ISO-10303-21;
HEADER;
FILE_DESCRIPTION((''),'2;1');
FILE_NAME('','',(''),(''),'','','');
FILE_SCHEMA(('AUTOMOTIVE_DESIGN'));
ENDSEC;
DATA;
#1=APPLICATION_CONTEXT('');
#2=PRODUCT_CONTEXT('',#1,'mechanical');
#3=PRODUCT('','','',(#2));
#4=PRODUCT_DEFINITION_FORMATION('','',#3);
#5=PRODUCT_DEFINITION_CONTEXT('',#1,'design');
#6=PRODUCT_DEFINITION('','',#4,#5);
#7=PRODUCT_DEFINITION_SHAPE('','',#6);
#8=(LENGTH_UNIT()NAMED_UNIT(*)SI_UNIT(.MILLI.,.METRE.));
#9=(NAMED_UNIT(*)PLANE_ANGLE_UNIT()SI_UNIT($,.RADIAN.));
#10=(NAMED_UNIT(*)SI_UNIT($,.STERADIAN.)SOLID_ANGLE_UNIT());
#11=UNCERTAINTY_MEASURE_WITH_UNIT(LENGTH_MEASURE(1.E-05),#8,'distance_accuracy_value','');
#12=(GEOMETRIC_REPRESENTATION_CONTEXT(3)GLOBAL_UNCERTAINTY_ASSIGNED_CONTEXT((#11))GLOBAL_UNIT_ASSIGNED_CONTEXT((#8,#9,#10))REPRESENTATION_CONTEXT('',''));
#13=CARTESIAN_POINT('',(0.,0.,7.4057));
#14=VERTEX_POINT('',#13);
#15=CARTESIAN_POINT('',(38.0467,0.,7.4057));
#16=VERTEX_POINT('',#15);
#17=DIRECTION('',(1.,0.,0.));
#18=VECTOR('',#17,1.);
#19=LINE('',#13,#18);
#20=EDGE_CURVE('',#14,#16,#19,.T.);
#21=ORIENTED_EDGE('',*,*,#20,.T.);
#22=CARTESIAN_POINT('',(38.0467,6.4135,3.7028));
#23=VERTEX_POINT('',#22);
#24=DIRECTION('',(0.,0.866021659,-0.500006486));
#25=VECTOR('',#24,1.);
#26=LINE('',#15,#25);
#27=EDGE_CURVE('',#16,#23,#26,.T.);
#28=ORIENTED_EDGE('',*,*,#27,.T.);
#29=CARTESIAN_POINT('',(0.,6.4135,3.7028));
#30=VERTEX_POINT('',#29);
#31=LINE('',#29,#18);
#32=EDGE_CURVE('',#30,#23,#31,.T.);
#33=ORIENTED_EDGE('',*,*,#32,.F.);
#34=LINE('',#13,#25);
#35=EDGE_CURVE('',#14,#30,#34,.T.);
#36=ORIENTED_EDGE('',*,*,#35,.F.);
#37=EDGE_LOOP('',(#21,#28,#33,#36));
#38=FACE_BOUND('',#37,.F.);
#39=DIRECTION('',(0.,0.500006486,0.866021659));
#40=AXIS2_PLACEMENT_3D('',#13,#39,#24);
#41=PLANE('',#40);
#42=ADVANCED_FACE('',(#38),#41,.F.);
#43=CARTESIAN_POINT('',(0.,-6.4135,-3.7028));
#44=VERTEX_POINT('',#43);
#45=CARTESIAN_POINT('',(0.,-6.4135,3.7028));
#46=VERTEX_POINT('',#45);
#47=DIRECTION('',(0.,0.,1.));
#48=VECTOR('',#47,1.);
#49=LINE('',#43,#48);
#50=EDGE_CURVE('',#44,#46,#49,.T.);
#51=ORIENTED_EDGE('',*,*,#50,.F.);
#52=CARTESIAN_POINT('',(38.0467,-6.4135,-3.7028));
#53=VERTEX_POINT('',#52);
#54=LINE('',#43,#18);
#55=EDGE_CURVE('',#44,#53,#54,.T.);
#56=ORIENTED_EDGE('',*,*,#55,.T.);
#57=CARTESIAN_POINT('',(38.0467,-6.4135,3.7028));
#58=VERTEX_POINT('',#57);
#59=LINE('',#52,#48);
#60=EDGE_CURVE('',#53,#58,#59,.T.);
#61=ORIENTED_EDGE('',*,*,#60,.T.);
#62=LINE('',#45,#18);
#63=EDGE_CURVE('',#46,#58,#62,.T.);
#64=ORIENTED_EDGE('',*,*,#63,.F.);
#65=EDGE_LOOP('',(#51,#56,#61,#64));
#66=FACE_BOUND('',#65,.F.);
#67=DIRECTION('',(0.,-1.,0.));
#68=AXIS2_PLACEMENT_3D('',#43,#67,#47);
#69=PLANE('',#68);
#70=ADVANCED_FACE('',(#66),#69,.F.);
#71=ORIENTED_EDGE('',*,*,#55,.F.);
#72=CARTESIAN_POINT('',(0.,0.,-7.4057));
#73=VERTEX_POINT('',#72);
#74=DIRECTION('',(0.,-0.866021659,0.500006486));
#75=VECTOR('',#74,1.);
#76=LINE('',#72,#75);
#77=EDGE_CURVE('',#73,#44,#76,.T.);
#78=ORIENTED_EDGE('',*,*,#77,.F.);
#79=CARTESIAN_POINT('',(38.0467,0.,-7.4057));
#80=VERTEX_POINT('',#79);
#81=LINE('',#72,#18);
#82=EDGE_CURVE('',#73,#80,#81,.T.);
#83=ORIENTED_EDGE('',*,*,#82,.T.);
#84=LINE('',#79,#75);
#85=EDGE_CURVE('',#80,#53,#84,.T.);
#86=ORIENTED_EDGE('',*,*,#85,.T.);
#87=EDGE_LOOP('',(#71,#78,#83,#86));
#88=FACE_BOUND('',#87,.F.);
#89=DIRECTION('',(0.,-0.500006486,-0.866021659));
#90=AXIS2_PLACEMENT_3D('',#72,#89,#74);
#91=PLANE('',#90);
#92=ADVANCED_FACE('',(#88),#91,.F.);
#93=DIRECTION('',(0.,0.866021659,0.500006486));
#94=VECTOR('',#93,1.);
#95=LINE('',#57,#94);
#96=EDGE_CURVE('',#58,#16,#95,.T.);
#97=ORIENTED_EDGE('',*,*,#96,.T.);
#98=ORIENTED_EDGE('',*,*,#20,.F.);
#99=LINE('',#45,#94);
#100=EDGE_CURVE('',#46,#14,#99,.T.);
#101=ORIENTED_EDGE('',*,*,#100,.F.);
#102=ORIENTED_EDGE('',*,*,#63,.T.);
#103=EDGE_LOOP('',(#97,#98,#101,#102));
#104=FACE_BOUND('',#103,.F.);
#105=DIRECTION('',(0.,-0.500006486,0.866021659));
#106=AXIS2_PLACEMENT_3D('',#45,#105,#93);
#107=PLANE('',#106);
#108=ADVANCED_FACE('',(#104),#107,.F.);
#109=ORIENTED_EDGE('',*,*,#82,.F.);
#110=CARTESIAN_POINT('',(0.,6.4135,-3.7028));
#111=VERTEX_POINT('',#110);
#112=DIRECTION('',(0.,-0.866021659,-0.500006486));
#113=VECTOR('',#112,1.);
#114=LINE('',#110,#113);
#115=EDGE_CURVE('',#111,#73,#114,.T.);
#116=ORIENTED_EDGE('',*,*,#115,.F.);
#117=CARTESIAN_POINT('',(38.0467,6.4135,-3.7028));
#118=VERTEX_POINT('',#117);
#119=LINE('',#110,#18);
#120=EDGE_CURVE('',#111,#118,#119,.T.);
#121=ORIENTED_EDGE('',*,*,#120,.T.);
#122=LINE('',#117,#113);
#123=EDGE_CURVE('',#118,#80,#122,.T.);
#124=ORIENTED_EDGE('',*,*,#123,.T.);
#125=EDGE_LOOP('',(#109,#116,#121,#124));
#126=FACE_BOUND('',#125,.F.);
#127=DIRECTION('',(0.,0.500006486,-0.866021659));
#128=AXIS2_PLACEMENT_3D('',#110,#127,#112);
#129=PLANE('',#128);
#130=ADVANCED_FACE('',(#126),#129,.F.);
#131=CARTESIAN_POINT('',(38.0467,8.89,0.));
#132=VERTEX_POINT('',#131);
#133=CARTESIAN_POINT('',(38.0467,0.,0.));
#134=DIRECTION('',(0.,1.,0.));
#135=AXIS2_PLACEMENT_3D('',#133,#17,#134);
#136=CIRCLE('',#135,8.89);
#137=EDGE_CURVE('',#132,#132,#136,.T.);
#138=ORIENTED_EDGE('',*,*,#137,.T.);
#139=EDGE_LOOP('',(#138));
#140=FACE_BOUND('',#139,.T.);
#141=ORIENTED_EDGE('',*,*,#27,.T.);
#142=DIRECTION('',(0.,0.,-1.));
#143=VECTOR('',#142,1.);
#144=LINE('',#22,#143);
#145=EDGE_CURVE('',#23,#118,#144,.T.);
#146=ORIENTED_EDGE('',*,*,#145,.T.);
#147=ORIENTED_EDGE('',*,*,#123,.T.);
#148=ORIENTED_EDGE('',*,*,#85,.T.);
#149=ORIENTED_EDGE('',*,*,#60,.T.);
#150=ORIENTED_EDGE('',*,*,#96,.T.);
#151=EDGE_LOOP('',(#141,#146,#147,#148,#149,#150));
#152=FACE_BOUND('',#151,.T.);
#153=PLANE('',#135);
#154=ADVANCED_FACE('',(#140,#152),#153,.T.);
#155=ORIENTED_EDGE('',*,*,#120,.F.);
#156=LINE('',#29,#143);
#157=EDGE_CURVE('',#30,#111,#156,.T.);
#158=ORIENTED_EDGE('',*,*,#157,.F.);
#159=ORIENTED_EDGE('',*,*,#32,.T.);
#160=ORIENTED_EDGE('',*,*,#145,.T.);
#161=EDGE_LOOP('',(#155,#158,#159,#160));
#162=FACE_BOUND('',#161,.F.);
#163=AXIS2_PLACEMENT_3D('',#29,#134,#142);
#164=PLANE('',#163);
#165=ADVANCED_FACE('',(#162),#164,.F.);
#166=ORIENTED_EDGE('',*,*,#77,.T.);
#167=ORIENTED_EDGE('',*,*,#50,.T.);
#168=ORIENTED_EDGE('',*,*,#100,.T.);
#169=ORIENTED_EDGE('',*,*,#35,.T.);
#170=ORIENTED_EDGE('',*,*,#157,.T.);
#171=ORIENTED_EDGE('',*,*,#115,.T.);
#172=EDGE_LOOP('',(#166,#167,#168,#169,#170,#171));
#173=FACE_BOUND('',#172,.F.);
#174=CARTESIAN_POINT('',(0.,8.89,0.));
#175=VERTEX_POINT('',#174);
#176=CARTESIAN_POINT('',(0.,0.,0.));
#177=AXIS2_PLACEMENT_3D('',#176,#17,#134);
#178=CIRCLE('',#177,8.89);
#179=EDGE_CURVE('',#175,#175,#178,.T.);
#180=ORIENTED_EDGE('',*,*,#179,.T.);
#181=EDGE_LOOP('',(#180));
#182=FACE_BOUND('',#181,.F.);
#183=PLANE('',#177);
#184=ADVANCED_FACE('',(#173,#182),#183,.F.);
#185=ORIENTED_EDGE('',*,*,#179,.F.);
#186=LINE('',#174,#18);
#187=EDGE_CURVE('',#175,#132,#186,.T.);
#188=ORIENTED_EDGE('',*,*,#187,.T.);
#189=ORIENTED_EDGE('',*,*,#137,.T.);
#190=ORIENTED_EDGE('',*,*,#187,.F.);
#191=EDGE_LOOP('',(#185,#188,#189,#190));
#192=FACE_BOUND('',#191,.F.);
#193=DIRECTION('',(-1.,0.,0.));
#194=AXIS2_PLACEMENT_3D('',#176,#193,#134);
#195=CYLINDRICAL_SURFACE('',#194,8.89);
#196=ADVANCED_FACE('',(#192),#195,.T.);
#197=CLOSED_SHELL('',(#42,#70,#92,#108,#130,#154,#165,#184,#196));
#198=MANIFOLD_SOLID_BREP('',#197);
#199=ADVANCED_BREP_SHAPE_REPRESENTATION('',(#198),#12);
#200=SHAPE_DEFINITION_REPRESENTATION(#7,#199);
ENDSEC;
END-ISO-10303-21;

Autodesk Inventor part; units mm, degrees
ref_plane "YZ Plane" through (0, 0, 0) normal (1, 0, 0) x (0, 1, 0)
ref_plane "XZ Plane" through (0, 0, 0) normal (0, 1, 0) x (-1, 0, 0)
ref_plane "XY Plane" through (0, 0, 0) normal (0, 0, 1) x (1, 0, 0)
sketch "Sketch1" plane through (0, 0, 0) normal (1, 0, 0) x (0, 1, 0)
  line L0 (6.4135, -3.7028) -> (0, -7.4057)
  line L1 (0, -7.4057) -> (-6.4135, -3.7028)
  line L2 (-6.4135, -3.7028) -> (-6.4135, 3.7028)
  line L3 (-6.4135, 3.7028) -> (0, 7.4057)
  line L4 (0, 7.4057) -> (6.4135, 3.7028)
  line L5 (6.4135, 3.7028) -> (6.4135, -3.7028)
  circle A0 centre (0, 0) radius 8.89
  dimension "d0" = 12.827
  dimension "d1" = 17.78
extrude "Extrusion1" add sketch "Sketch1" along normal blind 38.0467
equation "\"BendRadius\" = Thickness"
equation "\"BendReliefWidth\" = Thickness"
equation "\"BendReliefDepth\" = 0.5 * Thickness"
equation "\"CornerReliefSize\" = 4 * Thickness"
equation "\"MinimumRemnant\" = 2 * Thickness"
equation "\"TransitionRadius\" = BendRadius"
equation "\"JacobiRadiusSize\" = BendRadius"
equation "\"GapSize\" = Thickness"
equation "\"Thickness\" = 3.048"
properties part number "3DPRINT,BACKROLLERS,PULLEYSIDE,SPACER" material "ABS Plastic"
